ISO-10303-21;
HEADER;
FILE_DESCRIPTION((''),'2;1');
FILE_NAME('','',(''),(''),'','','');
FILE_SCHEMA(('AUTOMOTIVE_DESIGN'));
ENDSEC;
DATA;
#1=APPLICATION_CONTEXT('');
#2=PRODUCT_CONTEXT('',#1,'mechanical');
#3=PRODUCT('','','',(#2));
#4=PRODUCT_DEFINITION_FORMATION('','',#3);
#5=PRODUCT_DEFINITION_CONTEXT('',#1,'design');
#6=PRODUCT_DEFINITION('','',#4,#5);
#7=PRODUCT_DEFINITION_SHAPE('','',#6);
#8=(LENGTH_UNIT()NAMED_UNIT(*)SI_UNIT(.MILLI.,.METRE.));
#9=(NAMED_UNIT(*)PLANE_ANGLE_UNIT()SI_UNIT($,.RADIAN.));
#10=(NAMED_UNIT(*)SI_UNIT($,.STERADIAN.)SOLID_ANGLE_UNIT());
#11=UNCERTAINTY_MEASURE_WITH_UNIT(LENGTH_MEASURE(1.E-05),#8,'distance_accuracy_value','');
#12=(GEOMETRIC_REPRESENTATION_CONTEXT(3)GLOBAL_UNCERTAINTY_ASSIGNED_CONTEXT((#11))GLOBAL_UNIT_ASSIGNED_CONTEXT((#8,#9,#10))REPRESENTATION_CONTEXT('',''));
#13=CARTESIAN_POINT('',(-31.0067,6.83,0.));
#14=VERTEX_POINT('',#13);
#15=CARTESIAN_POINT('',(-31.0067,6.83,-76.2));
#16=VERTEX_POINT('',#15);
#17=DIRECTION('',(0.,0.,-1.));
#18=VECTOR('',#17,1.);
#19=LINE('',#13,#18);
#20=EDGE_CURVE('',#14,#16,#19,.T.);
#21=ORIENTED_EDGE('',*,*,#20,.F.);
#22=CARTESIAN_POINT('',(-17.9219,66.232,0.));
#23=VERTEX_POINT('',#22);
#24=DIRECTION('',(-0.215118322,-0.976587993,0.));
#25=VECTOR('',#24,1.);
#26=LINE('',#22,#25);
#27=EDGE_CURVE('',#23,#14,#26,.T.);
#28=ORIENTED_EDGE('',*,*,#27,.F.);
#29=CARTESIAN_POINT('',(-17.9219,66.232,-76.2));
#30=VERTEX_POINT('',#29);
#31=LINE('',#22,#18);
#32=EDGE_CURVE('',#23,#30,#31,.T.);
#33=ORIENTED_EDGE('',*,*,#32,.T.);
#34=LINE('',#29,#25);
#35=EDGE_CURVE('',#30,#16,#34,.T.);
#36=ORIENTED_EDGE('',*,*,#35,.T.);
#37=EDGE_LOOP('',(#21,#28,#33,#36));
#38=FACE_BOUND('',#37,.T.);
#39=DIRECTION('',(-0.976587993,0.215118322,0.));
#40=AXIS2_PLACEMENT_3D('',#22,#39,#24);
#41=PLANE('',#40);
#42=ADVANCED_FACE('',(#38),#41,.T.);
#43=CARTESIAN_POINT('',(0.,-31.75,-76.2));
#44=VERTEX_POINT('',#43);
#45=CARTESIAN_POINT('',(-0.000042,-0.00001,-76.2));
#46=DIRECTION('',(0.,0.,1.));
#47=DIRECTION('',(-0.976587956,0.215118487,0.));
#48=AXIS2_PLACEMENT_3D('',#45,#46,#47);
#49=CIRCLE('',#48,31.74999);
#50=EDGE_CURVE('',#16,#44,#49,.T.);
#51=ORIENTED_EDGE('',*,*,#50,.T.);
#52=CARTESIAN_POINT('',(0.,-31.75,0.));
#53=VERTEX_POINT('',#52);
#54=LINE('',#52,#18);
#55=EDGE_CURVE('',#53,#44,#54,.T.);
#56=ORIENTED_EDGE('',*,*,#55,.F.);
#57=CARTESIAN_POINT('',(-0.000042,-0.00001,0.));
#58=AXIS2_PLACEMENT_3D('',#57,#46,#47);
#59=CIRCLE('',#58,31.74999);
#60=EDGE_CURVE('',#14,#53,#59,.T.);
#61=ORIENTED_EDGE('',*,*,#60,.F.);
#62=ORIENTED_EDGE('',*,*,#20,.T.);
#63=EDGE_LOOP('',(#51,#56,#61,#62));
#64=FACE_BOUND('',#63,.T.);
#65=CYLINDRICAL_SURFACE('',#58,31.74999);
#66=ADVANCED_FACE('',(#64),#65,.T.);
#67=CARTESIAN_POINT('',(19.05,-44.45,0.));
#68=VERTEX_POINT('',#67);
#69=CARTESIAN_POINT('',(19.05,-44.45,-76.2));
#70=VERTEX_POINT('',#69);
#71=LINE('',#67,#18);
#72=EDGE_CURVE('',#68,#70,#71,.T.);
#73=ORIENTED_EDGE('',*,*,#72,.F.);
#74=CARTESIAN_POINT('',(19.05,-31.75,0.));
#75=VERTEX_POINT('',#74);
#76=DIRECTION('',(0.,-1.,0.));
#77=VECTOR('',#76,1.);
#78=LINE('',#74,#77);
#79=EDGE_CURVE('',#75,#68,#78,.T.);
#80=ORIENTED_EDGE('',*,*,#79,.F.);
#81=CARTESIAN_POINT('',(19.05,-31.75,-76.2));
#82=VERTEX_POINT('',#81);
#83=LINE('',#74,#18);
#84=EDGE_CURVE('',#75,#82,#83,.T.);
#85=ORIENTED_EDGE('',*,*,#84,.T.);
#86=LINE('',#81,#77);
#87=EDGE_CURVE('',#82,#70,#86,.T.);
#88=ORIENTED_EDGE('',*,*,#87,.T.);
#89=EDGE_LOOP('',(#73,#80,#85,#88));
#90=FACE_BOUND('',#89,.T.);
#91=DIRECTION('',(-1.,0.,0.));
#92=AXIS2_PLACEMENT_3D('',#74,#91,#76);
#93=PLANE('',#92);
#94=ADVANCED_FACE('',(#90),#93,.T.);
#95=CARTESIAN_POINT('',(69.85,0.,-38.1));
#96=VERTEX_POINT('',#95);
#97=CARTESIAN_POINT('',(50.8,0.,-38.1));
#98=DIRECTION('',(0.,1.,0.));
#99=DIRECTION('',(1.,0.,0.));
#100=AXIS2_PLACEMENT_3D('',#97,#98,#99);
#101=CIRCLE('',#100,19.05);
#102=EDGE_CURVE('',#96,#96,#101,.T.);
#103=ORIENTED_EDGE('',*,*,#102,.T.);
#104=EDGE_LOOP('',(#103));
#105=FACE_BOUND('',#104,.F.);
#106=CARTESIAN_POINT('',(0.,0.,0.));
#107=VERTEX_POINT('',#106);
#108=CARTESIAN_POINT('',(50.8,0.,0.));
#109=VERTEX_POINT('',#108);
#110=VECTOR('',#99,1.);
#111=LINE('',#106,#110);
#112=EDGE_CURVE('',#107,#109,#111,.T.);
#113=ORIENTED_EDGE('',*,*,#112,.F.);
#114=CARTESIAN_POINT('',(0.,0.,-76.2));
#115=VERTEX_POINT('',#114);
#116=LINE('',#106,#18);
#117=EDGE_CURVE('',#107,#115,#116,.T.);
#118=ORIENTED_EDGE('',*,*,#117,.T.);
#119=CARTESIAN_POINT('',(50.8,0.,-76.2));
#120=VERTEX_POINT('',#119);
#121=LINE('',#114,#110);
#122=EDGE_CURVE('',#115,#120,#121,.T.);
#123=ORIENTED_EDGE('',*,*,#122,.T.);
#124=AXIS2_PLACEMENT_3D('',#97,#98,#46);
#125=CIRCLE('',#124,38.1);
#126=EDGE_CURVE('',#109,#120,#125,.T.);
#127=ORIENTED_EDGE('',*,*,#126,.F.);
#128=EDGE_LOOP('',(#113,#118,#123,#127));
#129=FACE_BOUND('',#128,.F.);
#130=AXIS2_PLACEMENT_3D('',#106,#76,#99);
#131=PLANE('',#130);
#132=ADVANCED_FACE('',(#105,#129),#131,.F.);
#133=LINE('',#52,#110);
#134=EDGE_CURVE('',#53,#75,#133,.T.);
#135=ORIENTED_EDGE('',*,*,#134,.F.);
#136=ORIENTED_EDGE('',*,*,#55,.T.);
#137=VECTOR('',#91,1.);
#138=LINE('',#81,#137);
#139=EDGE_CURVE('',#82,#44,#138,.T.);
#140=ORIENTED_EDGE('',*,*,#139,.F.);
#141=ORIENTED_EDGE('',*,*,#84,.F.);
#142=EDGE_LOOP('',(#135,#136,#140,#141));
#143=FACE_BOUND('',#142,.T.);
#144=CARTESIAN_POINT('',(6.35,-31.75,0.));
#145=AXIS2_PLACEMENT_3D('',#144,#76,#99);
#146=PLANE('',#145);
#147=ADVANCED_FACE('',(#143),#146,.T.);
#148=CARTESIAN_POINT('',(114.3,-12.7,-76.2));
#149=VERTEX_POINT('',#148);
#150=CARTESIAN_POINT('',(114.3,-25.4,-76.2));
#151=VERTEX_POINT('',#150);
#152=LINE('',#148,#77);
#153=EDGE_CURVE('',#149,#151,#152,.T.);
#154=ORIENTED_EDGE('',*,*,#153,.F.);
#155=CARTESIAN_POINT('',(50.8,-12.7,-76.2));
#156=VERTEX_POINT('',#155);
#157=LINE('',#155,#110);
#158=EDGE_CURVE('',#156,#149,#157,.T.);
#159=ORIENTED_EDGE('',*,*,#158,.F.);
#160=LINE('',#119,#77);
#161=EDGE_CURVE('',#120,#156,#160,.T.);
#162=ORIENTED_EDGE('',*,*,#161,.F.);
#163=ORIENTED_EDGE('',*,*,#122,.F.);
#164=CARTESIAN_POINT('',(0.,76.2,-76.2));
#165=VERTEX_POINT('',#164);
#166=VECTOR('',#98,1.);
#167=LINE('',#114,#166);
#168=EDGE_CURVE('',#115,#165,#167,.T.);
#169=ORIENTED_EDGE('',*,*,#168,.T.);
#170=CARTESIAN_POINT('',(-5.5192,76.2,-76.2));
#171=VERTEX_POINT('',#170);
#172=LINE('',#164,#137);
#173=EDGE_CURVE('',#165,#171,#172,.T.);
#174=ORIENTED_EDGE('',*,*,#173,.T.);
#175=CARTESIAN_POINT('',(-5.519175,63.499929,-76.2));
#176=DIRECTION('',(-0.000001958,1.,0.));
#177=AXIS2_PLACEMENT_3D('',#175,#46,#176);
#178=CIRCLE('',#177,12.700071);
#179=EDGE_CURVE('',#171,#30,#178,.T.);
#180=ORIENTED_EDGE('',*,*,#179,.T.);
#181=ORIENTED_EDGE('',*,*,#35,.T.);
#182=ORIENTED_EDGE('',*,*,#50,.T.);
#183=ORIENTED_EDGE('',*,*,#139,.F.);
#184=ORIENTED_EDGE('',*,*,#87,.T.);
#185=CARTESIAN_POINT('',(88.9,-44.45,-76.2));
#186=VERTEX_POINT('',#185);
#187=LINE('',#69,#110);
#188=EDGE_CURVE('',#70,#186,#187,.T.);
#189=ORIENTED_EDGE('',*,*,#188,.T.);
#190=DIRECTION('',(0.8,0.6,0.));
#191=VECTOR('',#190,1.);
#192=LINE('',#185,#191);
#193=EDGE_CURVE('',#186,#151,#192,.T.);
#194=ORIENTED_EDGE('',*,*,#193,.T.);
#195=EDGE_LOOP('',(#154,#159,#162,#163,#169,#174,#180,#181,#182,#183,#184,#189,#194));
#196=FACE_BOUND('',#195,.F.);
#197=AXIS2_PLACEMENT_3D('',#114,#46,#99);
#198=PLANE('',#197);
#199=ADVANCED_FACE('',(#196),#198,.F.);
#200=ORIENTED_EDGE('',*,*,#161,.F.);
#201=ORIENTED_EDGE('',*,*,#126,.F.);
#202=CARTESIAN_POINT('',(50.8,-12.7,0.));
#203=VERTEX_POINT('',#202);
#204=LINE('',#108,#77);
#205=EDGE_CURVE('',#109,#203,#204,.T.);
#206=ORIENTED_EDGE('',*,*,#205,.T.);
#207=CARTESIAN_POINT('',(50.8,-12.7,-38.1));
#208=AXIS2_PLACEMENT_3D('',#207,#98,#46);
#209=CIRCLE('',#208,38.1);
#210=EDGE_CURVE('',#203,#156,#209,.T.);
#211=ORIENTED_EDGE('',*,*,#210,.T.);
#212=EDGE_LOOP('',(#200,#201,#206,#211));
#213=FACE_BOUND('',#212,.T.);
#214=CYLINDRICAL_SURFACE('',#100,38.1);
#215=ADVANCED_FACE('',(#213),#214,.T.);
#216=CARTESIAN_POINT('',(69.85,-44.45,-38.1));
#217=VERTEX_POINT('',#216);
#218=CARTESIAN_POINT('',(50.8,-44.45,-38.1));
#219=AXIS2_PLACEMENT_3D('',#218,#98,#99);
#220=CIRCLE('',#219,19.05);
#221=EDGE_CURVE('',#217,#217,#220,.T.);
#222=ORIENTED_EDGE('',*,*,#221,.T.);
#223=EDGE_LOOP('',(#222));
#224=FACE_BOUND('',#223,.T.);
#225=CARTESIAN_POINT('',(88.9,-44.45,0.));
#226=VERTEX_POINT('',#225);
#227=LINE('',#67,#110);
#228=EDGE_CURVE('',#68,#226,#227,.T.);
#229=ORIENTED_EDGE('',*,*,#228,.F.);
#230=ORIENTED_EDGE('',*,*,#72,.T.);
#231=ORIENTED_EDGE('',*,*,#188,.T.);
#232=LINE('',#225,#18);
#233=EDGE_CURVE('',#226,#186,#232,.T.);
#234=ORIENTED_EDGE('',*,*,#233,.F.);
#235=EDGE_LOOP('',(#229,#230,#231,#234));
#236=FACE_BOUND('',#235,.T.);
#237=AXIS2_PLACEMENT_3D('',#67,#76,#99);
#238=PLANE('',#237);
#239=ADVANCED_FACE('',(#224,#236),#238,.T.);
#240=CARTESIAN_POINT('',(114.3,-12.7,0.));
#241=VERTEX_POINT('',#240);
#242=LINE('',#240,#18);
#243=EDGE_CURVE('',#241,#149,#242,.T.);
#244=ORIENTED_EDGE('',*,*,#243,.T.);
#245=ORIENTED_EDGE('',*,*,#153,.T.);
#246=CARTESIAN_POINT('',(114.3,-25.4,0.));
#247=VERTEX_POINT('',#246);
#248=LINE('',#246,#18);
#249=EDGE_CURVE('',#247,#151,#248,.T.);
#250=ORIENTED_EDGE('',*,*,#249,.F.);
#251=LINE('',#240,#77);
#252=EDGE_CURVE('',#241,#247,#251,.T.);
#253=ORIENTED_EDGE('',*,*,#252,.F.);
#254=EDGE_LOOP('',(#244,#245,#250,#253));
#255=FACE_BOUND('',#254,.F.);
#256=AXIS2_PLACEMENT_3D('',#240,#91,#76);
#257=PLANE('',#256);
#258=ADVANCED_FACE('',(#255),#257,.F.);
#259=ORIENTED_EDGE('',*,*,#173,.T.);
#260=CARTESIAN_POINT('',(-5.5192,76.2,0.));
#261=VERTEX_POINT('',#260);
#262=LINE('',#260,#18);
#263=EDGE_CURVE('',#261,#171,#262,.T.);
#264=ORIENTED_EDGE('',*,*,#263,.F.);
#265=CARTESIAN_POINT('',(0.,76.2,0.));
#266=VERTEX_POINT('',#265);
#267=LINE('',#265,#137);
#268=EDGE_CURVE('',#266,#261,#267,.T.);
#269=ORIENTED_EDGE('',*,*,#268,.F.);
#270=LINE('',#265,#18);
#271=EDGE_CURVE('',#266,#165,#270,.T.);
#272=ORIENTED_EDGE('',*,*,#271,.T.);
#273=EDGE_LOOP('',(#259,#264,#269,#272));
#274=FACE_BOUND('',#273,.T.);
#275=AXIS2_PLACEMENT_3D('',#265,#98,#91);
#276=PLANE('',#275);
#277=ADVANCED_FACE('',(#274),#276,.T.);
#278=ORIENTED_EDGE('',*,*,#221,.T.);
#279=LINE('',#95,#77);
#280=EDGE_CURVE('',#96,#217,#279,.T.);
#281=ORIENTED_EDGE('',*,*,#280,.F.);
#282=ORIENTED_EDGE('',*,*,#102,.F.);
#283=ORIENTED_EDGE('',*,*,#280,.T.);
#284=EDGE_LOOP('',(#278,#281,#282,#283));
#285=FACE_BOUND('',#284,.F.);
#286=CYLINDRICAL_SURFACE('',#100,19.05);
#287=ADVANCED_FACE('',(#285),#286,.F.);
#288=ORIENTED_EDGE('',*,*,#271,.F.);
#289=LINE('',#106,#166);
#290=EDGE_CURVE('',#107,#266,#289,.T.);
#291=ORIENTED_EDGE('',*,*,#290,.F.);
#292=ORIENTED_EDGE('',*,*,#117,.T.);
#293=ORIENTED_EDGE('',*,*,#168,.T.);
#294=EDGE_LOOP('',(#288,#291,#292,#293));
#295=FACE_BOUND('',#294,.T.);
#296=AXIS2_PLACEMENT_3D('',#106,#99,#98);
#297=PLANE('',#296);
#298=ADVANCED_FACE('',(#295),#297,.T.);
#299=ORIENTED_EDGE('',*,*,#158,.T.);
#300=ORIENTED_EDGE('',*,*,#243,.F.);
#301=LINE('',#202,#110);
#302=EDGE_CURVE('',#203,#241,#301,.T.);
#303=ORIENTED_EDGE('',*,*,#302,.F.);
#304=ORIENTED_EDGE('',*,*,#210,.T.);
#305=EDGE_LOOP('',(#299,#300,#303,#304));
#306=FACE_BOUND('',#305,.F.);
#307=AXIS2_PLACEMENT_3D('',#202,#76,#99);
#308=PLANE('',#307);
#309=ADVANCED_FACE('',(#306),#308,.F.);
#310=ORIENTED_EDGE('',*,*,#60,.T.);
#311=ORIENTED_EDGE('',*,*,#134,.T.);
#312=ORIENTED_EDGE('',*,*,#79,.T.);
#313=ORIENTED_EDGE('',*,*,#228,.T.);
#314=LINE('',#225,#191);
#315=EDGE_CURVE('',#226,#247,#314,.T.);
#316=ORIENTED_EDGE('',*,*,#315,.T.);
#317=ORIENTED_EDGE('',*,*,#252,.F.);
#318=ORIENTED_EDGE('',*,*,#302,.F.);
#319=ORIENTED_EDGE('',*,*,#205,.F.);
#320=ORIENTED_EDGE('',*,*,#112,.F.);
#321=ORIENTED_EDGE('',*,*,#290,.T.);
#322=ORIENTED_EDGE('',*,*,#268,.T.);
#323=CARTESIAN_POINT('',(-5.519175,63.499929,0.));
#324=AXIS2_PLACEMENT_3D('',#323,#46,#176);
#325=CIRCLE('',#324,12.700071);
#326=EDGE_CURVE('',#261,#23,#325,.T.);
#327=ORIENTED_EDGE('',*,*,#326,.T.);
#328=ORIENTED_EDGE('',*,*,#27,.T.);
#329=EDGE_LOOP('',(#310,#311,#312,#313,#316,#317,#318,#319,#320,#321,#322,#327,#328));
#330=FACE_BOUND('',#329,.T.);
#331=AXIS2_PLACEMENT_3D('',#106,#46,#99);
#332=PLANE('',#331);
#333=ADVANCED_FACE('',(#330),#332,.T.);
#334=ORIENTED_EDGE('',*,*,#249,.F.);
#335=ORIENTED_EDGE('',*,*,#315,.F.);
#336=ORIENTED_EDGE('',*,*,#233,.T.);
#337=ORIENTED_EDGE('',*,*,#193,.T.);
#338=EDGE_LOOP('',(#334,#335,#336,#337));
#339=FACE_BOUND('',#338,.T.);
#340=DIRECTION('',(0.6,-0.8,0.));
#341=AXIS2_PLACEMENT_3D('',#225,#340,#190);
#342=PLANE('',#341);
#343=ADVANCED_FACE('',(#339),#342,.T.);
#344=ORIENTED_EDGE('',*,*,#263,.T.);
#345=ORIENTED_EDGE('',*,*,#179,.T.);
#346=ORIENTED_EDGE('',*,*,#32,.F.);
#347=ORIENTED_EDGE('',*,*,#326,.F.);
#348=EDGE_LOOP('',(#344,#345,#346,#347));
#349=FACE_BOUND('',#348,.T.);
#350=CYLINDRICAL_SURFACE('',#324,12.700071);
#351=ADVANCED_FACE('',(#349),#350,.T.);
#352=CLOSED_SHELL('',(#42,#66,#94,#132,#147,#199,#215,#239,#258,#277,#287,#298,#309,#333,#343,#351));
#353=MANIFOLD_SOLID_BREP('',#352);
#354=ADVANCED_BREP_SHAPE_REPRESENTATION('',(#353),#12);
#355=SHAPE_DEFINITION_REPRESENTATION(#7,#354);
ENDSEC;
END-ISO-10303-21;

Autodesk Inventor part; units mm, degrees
ref_plane "YZ Plane" through (0, 0, 0) normal (1, 0, 0) x (0, 1, 0)
ref_plane "XZ Plane" through (0, 0, 0) normal (0, 1, 0) x (-1, 0, 0)
ref_plane "XY Plane" through (0, 0, 0) normal (0, 0, 1) x (1, 0, 0)
sketch "Sketch1" plane through (0, 0, 0) normal (0, 0, 1) x (1, 0, 0)
  line L0 (0, 0) -> (0, 76.2)
  line L1 (0, 0) -> (50.8, 0)
  line L2 (50.8, 0) -> (50.8, -12.7)
  line L3 (50.8, -12.7) -> (114.3, -12.7)
  line L4 (114.3, -12.7) -> (114.3, -25.4)
  line L5 (0, 76.2) -> (-5.5192, 76.2)
  arc A0 (-5.5192, 76.2) -> (-17.9219, 66.232) centre (-5.5192, 63.5) ccw
  arc A1 (-31.0067, 6.83) -> (0, -31.75) centre (0, 0) ccw
  line L6 (-17.9219, 66.232) -> (-31.0067, 6.83)
  line L7 (0, -31.75) -> (19.05, -31.75)
  line L8 (6.35, -31.1085) -> (6.35, -31.75)
  line L9 (19.05, -31.75) -> (19.05, -44.45)
  line L10 (19.05, -44.45) -> (88.9, -44.45)
  line L11 (88.9, -44.45) -> (114.3, -25.4)
  dimension "d0" = 76.2
  dimension "d1" = 50.8
  dimension "d2" = 12.7
  dimension "d3" = 63.5
  dimension "d4" = 12.7
  dimension "d13" = 19.05
  dimension "d15" = 12.7
  dimension "d16" = 69.85
  dimension "d17" = 31.75
  dimension "d18" = 59.402
extrude "Extrusion1" add sketch "Sketch1" against normal blind 76.2
sketch "Sketch2" plane through (0, 0, 0) normal (0, 1, 0) x (1, 0, 0)
  line L0 (50.8, 0) -> (50.8, 76.2) projected
  circle A0 centre (50.8, 38.1) radius 38.1
  point P0 (0, 0)
extrude "Extrusion2" add sketch "Sketch2" against normal blind 12.7
sketch "Sketch3" plane through (0, 0, 0) normal (0, 1, 0) x (1, 0, 0)
  arc A0 (50.8, 0) -> (50.8, 76.2) centre (50.8, 38.1) ccw projected
  circle A1 centre (50.8, 38.1) radius 19.05
  point P0 (0, 0)
  dimension "d24" = 38.1
extrude "Extrusion3" cut sketch "Sketch3" against normal through all
properties part number "5.4"
